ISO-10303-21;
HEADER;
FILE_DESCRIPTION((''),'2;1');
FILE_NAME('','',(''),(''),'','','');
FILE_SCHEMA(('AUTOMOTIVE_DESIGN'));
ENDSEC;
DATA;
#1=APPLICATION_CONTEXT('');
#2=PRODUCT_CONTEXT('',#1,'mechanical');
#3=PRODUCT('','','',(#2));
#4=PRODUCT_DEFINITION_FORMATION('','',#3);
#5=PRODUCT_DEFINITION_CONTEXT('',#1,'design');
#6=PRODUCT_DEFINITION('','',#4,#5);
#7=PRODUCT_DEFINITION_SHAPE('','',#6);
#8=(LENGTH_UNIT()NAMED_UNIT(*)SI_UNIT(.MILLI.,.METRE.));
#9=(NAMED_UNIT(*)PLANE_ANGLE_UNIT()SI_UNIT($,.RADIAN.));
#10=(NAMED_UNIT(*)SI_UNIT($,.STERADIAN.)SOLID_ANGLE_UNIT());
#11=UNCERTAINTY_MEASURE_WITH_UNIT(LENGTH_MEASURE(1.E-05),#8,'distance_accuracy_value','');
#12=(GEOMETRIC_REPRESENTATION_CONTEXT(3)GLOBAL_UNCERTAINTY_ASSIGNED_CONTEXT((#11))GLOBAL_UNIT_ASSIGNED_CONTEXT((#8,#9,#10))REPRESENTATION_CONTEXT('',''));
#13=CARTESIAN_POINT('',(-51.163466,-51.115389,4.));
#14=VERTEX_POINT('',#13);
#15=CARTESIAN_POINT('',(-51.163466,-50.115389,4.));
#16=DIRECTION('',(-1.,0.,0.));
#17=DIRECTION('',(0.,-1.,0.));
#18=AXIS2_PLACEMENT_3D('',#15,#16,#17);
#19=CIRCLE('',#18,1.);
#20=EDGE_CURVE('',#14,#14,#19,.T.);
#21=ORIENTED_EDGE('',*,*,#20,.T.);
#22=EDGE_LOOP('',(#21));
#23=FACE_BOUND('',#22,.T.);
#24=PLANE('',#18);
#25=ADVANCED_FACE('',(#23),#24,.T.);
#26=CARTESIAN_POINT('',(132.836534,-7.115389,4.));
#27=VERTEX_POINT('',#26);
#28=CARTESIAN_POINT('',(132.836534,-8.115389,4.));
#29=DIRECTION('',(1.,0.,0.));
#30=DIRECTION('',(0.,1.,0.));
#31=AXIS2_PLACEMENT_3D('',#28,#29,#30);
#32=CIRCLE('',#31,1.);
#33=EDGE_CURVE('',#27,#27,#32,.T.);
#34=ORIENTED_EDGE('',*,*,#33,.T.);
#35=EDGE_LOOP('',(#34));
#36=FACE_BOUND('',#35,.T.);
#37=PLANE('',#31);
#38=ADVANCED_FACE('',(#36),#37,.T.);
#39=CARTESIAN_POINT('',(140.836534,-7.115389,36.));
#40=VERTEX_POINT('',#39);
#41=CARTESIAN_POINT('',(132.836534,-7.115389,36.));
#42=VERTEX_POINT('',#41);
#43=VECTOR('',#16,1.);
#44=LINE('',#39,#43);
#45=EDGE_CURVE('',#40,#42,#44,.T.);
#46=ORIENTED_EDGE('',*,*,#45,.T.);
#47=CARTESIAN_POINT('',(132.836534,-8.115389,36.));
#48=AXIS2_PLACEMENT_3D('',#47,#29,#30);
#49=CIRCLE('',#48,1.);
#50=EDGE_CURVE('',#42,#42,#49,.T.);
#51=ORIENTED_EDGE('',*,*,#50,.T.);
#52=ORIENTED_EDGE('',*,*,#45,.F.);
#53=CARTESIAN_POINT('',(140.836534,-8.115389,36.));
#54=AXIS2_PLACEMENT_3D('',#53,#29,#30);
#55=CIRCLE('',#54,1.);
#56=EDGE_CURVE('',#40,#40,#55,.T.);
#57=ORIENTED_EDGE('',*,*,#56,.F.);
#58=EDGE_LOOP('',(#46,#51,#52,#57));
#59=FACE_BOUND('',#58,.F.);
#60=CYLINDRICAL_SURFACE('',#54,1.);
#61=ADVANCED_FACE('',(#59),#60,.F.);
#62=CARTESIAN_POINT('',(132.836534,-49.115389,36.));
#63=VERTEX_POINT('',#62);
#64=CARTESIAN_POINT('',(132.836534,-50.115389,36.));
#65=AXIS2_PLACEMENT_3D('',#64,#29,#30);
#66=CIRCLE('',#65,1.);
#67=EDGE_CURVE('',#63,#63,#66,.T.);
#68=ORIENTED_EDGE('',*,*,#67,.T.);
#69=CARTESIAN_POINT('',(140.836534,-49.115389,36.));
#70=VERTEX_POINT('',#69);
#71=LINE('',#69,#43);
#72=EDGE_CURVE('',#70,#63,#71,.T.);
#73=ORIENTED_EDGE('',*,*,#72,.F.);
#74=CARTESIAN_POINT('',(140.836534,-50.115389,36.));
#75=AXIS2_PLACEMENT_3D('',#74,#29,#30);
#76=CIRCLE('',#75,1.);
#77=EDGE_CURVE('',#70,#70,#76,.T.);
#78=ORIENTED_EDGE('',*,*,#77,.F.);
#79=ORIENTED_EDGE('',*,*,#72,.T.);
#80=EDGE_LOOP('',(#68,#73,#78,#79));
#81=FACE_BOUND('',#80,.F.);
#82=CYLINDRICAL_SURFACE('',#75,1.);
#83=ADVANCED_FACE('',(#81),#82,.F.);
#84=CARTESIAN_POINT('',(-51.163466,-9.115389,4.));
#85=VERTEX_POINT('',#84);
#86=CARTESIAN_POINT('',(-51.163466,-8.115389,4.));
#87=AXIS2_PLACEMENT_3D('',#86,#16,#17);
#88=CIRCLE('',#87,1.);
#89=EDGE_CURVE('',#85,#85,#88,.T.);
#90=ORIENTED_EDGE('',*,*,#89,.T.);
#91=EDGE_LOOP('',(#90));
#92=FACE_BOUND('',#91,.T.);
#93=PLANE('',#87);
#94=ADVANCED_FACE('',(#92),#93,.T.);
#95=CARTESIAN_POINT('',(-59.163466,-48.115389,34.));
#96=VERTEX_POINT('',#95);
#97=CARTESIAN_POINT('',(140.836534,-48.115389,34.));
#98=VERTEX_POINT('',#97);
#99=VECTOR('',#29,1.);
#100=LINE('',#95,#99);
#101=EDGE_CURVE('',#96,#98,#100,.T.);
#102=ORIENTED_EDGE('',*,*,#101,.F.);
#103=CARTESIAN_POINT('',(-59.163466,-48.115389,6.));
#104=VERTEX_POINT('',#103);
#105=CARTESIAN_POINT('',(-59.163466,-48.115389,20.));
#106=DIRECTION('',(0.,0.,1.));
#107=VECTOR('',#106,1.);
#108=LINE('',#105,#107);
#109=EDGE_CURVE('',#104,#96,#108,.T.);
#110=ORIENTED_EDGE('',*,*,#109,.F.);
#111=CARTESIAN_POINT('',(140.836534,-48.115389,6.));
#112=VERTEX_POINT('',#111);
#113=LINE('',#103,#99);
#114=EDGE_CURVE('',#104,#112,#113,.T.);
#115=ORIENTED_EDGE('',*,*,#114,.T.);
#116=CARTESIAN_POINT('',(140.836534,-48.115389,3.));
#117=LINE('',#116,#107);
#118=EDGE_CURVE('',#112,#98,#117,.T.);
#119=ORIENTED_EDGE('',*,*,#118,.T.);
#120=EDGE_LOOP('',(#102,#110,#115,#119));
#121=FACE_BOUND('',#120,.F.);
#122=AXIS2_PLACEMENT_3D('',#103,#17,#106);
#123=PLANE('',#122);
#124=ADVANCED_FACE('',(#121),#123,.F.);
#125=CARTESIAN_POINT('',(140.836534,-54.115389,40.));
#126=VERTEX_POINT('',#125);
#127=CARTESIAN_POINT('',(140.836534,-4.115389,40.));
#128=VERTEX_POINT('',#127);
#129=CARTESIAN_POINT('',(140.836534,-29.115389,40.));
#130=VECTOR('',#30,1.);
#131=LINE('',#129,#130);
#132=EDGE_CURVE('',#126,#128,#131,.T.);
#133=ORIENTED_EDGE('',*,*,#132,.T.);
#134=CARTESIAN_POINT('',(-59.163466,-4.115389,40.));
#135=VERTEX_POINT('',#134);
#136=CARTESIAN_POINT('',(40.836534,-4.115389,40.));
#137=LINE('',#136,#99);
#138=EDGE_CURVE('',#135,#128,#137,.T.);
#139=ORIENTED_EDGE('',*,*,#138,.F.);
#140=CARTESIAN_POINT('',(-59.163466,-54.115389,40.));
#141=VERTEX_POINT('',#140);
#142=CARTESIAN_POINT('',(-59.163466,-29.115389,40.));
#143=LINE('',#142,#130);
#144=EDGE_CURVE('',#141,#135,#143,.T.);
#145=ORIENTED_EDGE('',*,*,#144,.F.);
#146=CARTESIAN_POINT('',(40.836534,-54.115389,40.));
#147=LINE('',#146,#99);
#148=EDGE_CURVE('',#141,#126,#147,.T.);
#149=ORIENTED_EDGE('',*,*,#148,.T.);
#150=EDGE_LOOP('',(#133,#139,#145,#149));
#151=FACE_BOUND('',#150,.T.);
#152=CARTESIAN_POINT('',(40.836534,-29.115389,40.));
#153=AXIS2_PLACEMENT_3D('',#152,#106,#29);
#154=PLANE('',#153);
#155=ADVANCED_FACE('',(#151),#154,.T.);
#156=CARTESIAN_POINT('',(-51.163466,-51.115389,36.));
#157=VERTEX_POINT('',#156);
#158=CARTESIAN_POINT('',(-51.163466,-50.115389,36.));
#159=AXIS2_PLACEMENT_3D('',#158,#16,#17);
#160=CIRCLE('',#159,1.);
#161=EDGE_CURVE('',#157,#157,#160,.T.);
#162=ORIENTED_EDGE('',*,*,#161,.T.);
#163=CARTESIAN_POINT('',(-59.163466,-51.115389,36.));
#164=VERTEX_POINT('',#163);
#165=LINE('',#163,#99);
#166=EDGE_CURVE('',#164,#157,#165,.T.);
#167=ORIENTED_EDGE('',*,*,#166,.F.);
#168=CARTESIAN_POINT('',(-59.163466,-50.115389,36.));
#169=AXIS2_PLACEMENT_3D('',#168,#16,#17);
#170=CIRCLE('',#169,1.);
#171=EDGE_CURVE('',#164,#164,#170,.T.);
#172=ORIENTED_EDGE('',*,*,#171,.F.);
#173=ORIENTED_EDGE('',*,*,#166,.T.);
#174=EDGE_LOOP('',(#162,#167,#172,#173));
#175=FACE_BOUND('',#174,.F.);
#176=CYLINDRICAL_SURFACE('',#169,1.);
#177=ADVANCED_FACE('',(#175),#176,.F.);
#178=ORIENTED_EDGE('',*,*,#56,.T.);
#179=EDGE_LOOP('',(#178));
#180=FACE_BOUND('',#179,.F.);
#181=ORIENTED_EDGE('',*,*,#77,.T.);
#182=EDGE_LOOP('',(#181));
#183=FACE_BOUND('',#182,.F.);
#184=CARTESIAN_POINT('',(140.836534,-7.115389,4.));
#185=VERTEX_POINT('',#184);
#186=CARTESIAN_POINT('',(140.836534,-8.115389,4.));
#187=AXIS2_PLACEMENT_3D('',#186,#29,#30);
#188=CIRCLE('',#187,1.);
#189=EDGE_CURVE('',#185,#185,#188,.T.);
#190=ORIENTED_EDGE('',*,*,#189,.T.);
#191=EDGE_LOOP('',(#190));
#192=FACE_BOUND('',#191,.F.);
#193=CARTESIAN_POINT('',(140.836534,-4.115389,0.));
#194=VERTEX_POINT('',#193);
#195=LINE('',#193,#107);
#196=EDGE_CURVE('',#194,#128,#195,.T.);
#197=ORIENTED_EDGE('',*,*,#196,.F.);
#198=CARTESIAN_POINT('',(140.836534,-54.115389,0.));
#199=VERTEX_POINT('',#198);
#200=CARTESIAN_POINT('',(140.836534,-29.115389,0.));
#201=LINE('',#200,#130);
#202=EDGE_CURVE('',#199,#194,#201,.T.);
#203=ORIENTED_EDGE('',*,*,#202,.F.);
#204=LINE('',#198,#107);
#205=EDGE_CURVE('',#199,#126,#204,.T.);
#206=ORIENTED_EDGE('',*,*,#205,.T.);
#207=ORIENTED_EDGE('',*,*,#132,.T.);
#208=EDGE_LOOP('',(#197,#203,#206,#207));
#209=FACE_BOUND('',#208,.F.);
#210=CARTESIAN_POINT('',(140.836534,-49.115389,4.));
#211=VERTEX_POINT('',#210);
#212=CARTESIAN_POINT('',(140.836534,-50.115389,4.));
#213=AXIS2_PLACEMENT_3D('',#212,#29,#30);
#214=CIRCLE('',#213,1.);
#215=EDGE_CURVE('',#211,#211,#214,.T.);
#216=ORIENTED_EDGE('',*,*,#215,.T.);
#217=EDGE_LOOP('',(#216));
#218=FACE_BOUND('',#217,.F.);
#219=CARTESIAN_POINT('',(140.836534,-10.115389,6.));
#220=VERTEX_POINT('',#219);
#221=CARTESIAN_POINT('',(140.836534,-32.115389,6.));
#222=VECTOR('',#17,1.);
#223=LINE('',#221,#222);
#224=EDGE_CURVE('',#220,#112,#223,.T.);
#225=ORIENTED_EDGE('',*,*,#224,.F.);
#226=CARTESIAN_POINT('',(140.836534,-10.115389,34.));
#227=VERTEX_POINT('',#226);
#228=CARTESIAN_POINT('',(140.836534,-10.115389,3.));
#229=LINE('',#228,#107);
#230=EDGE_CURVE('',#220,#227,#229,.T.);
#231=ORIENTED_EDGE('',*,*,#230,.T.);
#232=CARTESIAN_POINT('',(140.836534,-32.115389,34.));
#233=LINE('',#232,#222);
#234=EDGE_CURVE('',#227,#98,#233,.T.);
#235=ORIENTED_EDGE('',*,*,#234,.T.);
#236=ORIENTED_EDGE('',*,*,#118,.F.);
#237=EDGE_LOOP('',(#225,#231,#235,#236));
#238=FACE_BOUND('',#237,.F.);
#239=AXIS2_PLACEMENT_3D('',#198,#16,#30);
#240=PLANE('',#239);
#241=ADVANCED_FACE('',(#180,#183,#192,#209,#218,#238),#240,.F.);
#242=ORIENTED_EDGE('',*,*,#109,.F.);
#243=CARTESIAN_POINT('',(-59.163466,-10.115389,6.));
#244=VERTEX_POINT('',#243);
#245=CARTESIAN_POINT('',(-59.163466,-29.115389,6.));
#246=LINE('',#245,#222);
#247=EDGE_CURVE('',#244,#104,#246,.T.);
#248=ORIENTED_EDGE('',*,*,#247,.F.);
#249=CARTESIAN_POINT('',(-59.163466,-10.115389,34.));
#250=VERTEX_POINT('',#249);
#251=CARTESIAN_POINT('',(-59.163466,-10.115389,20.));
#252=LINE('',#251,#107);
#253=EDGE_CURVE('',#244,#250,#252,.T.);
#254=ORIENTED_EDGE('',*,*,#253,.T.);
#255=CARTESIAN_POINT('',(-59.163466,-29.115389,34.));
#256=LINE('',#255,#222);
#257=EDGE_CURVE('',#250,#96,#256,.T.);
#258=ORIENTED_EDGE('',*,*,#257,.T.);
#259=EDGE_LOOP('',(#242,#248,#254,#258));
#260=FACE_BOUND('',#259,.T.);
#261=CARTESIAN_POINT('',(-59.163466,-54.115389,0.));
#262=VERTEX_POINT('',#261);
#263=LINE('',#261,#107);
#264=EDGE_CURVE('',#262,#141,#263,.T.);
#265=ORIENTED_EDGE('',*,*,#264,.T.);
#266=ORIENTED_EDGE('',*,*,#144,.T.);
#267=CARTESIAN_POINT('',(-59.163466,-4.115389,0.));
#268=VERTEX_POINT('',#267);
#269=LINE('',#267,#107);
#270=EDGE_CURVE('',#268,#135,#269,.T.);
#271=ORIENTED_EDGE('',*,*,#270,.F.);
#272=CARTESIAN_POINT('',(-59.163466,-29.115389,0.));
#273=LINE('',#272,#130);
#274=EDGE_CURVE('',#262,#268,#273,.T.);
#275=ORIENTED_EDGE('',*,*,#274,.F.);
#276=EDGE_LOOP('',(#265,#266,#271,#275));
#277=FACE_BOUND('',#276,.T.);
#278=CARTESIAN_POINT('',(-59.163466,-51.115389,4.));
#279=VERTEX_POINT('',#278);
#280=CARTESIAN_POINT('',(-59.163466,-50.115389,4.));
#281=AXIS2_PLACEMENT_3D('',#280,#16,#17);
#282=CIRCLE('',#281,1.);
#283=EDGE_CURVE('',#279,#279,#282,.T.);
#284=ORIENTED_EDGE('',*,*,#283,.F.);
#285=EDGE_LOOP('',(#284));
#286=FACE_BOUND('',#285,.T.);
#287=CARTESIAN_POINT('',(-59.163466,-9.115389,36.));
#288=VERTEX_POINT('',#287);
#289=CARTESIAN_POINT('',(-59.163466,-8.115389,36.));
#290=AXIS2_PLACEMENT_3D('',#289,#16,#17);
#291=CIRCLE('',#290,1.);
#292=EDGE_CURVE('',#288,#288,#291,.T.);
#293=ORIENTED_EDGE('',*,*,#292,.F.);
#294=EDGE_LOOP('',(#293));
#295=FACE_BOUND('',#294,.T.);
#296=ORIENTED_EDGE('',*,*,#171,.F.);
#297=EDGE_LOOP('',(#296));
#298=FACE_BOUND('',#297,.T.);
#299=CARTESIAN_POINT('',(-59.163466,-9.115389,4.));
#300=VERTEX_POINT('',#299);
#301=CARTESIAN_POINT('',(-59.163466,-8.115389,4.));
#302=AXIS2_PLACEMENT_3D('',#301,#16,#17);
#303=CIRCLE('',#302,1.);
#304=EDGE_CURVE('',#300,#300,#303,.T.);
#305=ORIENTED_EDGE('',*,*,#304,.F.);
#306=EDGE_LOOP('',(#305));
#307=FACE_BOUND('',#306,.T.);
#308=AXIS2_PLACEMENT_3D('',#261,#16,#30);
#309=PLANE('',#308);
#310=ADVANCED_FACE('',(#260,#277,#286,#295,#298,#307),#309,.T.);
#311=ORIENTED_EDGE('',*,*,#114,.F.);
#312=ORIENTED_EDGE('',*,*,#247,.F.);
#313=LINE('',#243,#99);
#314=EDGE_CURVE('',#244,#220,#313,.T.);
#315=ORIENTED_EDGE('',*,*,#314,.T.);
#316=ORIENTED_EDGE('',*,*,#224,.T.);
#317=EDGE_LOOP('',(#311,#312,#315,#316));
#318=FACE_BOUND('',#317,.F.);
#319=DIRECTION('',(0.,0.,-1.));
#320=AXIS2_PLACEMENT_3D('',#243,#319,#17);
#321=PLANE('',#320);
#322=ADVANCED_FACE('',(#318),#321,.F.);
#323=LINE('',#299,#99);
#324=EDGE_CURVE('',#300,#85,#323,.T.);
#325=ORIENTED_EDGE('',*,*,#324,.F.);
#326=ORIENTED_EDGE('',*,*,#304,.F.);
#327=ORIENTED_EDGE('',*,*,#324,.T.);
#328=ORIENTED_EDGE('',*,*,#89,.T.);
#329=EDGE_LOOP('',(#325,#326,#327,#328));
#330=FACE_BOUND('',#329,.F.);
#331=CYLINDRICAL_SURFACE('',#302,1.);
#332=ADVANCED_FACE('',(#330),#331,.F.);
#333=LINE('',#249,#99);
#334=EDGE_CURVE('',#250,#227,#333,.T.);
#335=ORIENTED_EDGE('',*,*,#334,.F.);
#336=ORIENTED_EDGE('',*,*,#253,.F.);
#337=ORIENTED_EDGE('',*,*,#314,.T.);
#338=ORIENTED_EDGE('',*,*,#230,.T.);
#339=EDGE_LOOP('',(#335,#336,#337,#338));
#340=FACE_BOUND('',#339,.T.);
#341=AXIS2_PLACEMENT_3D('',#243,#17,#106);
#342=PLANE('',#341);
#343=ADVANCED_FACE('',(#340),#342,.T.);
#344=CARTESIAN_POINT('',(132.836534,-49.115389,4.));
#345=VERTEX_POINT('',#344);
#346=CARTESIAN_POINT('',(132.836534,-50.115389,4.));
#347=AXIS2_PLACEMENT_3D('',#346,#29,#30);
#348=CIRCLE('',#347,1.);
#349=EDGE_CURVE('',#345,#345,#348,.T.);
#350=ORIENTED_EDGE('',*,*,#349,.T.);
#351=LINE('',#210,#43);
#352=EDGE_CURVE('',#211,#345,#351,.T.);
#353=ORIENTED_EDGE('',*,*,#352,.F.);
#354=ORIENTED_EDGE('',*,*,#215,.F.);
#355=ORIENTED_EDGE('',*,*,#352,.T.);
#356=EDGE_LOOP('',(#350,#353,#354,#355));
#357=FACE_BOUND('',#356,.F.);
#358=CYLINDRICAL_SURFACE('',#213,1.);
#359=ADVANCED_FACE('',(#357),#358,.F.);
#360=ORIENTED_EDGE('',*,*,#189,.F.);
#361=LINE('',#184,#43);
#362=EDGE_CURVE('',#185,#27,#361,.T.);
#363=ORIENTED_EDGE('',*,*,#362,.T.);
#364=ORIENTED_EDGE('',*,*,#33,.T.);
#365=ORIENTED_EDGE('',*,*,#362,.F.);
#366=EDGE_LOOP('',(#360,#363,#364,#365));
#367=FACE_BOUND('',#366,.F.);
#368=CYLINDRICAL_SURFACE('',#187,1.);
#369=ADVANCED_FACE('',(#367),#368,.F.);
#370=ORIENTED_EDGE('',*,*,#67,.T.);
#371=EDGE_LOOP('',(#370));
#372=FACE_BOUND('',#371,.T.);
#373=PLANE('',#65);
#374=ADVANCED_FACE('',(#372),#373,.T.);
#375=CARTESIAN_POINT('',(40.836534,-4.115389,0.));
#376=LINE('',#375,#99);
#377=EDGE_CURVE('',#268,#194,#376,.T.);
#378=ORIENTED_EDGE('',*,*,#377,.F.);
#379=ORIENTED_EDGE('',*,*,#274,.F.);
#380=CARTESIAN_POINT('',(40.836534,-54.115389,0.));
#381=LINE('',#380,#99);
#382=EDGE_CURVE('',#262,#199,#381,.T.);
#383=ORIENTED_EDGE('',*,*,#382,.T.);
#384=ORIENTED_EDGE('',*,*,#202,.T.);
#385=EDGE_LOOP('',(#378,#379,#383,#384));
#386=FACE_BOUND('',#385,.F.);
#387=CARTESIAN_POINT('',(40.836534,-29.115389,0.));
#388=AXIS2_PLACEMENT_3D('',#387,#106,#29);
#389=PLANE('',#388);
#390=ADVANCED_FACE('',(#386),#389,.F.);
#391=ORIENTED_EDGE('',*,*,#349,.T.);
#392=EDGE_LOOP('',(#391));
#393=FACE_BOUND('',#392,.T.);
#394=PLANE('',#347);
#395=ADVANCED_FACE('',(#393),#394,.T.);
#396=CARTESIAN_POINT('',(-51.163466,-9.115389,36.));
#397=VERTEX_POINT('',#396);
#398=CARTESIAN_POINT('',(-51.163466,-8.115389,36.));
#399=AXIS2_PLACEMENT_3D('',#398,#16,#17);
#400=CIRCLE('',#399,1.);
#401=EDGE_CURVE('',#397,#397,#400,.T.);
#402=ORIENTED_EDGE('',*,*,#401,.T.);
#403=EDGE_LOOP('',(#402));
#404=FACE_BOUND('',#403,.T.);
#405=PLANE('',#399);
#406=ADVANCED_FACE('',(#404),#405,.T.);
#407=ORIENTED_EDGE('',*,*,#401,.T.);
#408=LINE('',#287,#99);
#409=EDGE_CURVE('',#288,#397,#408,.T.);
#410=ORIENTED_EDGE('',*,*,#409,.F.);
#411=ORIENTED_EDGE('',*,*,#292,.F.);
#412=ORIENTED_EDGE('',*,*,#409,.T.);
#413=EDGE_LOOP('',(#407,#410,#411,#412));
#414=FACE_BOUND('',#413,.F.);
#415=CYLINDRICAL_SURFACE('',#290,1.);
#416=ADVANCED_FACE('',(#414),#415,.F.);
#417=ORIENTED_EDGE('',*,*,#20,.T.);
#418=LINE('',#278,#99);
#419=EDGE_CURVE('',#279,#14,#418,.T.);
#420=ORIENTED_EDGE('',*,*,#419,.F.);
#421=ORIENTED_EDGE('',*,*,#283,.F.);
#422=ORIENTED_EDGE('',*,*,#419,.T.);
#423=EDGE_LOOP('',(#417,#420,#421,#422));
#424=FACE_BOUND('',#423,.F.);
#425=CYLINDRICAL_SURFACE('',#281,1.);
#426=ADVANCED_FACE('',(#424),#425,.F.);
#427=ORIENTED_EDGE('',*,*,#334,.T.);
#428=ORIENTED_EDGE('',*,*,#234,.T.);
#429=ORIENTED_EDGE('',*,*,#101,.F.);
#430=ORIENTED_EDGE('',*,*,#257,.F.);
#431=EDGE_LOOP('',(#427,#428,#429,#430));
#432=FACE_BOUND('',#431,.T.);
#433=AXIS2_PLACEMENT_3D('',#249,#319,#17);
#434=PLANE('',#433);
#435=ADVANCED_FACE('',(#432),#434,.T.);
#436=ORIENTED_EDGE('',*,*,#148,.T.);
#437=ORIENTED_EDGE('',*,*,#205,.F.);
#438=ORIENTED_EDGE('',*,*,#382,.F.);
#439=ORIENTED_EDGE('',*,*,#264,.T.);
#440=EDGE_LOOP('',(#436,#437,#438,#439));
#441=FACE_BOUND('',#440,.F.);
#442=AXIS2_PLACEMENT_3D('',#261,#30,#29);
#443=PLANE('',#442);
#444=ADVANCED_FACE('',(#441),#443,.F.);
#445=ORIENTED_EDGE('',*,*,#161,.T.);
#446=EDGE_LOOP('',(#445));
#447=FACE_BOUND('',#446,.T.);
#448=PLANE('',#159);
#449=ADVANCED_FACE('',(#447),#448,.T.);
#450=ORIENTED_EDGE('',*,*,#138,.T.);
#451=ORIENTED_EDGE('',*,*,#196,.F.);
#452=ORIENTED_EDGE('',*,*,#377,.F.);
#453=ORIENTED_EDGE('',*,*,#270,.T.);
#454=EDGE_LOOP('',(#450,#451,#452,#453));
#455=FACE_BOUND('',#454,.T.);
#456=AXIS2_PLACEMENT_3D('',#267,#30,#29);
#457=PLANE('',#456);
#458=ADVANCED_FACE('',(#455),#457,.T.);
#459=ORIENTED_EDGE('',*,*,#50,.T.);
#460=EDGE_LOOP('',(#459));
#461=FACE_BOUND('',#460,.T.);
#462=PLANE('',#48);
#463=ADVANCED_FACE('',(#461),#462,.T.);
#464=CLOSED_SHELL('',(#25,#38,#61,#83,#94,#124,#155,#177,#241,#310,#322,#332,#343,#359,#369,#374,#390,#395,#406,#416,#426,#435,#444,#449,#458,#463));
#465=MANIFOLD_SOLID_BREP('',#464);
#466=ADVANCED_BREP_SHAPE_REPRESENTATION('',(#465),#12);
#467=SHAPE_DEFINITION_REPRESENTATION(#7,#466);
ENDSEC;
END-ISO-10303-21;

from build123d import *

# Parameters (mm, degrees)
F0_W     = 200
F0_H     = 50
F1_DEPTH = 40
F2_W     = 38
F2_H     = 28
F3_DEPTH = 200.001
F4_R     = 1
F5_DEPTH = 8
F6_R     = 1
F7_DEPTH = 8


with BuildPart() as f1:
    # F0 (on Top) → F1 (new body)
    with BuildSketch(Plane.XY):
        with Locations((40.836534, -29.115389)):
            Rectangle(F0_W, F0_H)
    extrude(amount=F1_DEPTH)

    # F2 (on face) → F3 (cut, through all)
    with BuildSketch(Plane(origin=(-59.163466, 0, 0), x_dir=(0, -1, 0), z_dir=(-1, 0, 0))):
        with Locations((29.115389, 20)):
            Rectangle(F2_W, F2_H)
    extrude(amount=-F3_DEPTH, mode=Mode.SUBTRACT)

    # F4 (on face) → F5 (cut)
    with BuildSketch(Plane(origin=(-59.163466, 0, 0), x_dir=(0, -1, 0), z_dir=(-1, 0, 0))):
        with Locations((8.115389, 36)):
            Circle(F4_R)
        with Locations((8.115389, 4)):
            Circle(F4_R)
        with Locations((50.115389, 4)):
            Circle(F4_R)
        with Locations((50.115389, 36)):
            Circle(F4_R)
    extrude(amount=-F5_DEPTH, mode=Mode.SUBTRACT)

    # F6 (on face) → F7 (cut)
    with BuildSketch(Plane.YZ.offset(140.836534)):
        with Locations((-50.115389, 36)):
            Circle(F6_R)
        with Locations((-8.115389, 36)):
            Circle(F6_R)
        with Locations((-8.115389, 4)):
            Circle(F6_R)
        with Locations((-50.115389, 4)):
            Circle(F6_R)
    extrude(amount=-F7_DEPTH, mode=Mode.SUBTRACT)


solid = f1.part
